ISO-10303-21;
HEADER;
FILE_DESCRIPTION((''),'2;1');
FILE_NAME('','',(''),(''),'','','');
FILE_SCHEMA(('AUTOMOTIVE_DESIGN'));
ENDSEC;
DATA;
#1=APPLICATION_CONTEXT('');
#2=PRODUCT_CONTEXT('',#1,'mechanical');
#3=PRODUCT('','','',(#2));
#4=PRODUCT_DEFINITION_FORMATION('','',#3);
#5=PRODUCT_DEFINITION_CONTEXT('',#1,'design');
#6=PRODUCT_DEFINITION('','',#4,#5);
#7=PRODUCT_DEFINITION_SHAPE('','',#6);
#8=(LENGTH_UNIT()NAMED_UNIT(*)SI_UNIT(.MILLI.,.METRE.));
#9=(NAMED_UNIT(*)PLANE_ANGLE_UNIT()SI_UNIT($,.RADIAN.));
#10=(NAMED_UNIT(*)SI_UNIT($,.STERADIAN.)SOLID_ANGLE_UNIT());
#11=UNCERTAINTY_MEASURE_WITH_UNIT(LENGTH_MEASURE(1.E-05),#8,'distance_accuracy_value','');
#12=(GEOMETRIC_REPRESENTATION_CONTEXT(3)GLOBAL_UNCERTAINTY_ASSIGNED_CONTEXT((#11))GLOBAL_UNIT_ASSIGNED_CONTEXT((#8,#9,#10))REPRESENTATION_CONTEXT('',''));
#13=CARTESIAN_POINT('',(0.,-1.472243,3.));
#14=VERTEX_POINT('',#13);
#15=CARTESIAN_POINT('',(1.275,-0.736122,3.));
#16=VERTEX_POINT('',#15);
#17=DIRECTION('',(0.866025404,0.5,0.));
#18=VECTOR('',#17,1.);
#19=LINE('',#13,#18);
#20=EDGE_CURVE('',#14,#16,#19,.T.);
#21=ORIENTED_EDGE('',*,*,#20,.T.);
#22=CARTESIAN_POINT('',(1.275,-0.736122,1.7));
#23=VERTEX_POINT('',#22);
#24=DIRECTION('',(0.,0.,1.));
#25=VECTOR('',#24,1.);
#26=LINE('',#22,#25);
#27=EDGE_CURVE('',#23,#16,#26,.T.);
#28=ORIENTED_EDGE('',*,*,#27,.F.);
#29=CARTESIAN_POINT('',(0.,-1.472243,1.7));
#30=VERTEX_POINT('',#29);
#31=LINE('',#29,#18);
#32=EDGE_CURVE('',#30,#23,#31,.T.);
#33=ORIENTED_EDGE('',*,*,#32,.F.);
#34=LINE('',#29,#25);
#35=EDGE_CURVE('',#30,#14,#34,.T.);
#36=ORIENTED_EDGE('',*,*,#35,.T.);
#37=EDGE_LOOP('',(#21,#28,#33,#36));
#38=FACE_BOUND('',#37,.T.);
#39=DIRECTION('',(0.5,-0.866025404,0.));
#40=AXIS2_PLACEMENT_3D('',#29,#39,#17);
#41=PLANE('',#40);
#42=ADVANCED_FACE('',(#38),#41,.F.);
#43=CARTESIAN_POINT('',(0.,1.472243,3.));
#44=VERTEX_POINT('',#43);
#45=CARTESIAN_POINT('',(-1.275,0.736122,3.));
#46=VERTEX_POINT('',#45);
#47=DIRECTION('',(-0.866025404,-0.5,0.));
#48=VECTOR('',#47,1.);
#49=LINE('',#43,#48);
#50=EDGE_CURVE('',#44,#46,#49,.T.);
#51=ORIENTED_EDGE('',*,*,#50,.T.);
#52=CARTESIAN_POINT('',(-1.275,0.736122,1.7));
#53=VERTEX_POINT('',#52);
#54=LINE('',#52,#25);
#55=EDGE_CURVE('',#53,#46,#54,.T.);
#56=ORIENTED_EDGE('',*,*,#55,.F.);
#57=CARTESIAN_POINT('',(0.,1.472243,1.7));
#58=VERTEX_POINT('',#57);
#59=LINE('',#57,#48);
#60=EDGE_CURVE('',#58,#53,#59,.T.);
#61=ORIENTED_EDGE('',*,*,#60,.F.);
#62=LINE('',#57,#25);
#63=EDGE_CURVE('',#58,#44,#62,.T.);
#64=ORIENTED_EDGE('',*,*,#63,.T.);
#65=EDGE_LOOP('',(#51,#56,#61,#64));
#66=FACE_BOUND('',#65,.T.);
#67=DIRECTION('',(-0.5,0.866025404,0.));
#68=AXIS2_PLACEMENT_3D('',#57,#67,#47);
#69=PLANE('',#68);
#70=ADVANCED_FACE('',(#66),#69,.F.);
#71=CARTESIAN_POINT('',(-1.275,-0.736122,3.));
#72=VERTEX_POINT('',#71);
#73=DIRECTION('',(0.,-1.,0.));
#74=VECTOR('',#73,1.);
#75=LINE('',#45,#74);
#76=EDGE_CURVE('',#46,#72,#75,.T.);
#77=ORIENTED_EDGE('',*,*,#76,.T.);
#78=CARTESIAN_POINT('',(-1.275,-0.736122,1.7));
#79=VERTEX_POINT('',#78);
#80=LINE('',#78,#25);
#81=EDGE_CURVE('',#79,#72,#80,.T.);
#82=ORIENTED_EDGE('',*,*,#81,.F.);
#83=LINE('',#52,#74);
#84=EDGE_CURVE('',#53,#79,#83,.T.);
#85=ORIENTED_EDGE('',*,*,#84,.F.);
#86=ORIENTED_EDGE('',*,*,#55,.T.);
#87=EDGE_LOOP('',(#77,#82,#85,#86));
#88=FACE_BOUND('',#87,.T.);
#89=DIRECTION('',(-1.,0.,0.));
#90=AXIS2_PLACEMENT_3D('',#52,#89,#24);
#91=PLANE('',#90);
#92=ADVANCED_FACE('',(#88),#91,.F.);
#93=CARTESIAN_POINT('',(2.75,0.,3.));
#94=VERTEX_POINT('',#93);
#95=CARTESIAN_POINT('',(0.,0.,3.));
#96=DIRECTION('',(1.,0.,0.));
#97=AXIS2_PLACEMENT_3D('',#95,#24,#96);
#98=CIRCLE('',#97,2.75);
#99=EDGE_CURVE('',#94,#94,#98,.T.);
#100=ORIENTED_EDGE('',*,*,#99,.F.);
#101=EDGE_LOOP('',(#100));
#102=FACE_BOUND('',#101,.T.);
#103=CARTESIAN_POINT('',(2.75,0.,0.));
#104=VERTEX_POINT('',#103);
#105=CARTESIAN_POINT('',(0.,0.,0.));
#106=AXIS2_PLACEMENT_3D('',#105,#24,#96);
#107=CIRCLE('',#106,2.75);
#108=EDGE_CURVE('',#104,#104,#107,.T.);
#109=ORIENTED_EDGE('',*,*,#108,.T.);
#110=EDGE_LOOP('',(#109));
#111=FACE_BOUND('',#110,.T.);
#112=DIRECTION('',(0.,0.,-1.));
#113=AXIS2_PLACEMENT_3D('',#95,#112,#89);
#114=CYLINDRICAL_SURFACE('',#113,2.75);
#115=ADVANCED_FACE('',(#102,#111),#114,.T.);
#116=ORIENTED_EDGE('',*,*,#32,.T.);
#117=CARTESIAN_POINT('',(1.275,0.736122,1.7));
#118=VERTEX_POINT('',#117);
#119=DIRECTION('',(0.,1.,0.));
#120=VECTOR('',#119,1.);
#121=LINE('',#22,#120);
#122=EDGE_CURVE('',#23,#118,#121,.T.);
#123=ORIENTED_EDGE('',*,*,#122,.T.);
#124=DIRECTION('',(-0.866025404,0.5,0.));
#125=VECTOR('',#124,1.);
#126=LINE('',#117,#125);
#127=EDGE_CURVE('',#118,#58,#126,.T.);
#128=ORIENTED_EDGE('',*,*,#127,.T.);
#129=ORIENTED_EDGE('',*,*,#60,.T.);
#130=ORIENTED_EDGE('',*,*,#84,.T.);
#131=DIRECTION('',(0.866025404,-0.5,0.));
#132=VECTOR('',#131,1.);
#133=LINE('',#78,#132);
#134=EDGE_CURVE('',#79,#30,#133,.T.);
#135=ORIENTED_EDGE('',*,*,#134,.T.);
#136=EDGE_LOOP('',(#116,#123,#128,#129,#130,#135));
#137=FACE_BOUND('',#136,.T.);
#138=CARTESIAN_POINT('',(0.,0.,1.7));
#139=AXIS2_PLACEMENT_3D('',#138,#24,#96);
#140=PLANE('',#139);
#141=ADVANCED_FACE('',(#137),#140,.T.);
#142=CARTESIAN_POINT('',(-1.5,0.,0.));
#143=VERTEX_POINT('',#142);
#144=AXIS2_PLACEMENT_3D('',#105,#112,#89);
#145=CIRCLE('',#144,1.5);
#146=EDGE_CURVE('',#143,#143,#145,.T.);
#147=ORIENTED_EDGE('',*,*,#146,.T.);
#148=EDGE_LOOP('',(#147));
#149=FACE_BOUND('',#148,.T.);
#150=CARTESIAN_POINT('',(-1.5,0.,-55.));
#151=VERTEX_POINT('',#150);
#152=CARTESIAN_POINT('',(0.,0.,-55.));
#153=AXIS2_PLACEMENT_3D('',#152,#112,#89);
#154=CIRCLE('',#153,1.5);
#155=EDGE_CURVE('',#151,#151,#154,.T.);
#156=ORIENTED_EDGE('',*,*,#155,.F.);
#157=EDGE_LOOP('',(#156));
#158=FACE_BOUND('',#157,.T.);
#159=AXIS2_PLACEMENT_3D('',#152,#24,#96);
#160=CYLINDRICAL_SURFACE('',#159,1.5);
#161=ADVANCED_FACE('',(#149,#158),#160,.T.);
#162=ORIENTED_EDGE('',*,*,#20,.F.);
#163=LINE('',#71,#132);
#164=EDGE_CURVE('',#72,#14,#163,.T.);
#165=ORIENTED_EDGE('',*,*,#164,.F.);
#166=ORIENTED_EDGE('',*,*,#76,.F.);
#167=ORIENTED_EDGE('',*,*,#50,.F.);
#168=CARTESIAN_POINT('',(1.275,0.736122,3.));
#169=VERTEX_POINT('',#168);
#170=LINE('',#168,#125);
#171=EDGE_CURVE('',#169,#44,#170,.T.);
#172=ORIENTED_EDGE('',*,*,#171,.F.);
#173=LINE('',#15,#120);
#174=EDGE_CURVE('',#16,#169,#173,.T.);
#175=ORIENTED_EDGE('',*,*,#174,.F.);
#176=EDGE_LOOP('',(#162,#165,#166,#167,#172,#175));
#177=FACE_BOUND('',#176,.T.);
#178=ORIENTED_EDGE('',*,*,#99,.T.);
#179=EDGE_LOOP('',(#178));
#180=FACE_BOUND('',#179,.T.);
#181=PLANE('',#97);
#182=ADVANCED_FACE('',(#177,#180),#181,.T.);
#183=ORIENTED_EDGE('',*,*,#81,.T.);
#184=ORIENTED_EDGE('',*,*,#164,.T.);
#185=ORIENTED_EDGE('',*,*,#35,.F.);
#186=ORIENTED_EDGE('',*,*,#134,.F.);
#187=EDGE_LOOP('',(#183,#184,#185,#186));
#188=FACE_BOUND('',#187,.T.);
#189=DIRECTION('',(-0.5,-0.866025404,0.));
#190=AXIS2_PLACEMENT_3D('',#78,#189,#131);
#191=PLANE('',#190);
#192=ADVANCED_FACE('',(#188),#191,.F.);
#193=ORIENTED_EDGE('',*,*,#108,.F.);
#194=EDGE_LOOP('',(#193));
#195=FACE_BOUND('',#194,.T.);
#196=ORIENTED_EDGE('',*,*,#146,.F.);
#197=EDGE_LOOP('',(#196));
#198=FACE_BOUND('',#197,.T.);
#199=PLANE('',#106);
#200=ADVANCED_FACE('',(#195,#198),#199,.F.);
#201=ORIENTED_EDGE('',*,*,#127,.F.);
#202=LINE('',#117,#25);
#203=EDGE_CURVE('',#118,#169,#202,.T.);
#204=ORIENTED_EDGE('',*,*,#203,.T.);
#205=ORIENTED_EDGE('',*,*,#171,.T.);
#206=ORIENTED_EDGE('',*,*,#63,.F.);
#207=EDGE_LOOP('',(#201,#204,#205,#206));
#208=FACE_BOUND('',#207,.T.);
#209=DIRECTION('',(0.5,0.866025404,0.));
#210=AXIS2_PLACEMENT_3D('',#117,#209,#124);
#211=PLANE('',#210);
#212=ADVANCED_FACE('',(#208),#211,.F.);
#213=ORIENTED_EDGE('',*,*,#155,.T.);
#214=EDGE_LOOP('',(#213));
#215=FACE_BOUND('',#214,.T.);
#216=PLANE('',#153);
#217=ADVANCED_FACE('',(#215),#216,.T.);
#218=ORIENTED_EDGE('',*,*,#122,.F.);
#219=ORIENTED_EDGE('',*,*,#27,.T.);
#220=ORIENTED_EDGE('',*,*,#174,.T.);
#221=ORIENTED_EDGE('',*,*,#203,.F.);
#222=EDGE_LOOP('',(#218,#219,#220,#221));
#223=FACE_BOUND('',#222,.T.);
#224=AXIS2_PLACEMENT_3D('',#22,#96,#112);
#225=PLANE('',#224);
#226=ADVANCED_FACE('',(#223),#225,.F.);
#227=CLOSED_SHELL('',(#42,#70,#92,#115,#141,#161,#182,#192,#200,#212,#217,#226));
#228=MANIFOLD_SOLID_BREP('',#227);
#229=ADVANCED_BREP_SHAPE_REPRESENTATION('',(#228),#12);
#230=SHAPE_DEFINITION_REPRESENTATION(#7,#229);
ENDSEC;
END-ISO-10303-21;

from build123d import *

# Parameters (mm, degrees)
SKETCH_1_R          = 2.75
EXTRUDE_1_DEPTH     = 3
CUT_EXTRUDE_1_DEPTH = 1.3
SKETCH_3_R          = 1.5
EXTRUDE_2_DEPTH     = 55


with BuildPart() as part:
    # 草图1 → 凸台-拉伸1 (new body)
    with BuildSketch(Plane.XY):
        Circle(SKETCH_1_R)
    extrude(amount=EXTRUDE_1_DEPTH)

    # 草图2 → 切除-拉伸1 (cut)
    with BuildSketch(Plane.XY.offset(3)):
        Polygon((1.275, -0.736121593), (1.275, 0.736121593), (0, 1.472243186), (-1.275, 0.736121593), (-1.275, -0.736121593), (0, -1.472243186), align=None)
    extrude(amount=-CUT_EXTRUDE_1_DEPTH, mode=Mode.SUBTRACT)

    # 草图3 → 凸台-拉伸2 (add)
    with BuildSketch(Plane(origin=(0, 0, 0), x_dir=(-1, 0, 0), z_dir=(0, 0, -1))):
        Circle(SKETCH_3_R)
    extrude(amount=EXTRUDE_2_DEPTH)


solid = part.part
